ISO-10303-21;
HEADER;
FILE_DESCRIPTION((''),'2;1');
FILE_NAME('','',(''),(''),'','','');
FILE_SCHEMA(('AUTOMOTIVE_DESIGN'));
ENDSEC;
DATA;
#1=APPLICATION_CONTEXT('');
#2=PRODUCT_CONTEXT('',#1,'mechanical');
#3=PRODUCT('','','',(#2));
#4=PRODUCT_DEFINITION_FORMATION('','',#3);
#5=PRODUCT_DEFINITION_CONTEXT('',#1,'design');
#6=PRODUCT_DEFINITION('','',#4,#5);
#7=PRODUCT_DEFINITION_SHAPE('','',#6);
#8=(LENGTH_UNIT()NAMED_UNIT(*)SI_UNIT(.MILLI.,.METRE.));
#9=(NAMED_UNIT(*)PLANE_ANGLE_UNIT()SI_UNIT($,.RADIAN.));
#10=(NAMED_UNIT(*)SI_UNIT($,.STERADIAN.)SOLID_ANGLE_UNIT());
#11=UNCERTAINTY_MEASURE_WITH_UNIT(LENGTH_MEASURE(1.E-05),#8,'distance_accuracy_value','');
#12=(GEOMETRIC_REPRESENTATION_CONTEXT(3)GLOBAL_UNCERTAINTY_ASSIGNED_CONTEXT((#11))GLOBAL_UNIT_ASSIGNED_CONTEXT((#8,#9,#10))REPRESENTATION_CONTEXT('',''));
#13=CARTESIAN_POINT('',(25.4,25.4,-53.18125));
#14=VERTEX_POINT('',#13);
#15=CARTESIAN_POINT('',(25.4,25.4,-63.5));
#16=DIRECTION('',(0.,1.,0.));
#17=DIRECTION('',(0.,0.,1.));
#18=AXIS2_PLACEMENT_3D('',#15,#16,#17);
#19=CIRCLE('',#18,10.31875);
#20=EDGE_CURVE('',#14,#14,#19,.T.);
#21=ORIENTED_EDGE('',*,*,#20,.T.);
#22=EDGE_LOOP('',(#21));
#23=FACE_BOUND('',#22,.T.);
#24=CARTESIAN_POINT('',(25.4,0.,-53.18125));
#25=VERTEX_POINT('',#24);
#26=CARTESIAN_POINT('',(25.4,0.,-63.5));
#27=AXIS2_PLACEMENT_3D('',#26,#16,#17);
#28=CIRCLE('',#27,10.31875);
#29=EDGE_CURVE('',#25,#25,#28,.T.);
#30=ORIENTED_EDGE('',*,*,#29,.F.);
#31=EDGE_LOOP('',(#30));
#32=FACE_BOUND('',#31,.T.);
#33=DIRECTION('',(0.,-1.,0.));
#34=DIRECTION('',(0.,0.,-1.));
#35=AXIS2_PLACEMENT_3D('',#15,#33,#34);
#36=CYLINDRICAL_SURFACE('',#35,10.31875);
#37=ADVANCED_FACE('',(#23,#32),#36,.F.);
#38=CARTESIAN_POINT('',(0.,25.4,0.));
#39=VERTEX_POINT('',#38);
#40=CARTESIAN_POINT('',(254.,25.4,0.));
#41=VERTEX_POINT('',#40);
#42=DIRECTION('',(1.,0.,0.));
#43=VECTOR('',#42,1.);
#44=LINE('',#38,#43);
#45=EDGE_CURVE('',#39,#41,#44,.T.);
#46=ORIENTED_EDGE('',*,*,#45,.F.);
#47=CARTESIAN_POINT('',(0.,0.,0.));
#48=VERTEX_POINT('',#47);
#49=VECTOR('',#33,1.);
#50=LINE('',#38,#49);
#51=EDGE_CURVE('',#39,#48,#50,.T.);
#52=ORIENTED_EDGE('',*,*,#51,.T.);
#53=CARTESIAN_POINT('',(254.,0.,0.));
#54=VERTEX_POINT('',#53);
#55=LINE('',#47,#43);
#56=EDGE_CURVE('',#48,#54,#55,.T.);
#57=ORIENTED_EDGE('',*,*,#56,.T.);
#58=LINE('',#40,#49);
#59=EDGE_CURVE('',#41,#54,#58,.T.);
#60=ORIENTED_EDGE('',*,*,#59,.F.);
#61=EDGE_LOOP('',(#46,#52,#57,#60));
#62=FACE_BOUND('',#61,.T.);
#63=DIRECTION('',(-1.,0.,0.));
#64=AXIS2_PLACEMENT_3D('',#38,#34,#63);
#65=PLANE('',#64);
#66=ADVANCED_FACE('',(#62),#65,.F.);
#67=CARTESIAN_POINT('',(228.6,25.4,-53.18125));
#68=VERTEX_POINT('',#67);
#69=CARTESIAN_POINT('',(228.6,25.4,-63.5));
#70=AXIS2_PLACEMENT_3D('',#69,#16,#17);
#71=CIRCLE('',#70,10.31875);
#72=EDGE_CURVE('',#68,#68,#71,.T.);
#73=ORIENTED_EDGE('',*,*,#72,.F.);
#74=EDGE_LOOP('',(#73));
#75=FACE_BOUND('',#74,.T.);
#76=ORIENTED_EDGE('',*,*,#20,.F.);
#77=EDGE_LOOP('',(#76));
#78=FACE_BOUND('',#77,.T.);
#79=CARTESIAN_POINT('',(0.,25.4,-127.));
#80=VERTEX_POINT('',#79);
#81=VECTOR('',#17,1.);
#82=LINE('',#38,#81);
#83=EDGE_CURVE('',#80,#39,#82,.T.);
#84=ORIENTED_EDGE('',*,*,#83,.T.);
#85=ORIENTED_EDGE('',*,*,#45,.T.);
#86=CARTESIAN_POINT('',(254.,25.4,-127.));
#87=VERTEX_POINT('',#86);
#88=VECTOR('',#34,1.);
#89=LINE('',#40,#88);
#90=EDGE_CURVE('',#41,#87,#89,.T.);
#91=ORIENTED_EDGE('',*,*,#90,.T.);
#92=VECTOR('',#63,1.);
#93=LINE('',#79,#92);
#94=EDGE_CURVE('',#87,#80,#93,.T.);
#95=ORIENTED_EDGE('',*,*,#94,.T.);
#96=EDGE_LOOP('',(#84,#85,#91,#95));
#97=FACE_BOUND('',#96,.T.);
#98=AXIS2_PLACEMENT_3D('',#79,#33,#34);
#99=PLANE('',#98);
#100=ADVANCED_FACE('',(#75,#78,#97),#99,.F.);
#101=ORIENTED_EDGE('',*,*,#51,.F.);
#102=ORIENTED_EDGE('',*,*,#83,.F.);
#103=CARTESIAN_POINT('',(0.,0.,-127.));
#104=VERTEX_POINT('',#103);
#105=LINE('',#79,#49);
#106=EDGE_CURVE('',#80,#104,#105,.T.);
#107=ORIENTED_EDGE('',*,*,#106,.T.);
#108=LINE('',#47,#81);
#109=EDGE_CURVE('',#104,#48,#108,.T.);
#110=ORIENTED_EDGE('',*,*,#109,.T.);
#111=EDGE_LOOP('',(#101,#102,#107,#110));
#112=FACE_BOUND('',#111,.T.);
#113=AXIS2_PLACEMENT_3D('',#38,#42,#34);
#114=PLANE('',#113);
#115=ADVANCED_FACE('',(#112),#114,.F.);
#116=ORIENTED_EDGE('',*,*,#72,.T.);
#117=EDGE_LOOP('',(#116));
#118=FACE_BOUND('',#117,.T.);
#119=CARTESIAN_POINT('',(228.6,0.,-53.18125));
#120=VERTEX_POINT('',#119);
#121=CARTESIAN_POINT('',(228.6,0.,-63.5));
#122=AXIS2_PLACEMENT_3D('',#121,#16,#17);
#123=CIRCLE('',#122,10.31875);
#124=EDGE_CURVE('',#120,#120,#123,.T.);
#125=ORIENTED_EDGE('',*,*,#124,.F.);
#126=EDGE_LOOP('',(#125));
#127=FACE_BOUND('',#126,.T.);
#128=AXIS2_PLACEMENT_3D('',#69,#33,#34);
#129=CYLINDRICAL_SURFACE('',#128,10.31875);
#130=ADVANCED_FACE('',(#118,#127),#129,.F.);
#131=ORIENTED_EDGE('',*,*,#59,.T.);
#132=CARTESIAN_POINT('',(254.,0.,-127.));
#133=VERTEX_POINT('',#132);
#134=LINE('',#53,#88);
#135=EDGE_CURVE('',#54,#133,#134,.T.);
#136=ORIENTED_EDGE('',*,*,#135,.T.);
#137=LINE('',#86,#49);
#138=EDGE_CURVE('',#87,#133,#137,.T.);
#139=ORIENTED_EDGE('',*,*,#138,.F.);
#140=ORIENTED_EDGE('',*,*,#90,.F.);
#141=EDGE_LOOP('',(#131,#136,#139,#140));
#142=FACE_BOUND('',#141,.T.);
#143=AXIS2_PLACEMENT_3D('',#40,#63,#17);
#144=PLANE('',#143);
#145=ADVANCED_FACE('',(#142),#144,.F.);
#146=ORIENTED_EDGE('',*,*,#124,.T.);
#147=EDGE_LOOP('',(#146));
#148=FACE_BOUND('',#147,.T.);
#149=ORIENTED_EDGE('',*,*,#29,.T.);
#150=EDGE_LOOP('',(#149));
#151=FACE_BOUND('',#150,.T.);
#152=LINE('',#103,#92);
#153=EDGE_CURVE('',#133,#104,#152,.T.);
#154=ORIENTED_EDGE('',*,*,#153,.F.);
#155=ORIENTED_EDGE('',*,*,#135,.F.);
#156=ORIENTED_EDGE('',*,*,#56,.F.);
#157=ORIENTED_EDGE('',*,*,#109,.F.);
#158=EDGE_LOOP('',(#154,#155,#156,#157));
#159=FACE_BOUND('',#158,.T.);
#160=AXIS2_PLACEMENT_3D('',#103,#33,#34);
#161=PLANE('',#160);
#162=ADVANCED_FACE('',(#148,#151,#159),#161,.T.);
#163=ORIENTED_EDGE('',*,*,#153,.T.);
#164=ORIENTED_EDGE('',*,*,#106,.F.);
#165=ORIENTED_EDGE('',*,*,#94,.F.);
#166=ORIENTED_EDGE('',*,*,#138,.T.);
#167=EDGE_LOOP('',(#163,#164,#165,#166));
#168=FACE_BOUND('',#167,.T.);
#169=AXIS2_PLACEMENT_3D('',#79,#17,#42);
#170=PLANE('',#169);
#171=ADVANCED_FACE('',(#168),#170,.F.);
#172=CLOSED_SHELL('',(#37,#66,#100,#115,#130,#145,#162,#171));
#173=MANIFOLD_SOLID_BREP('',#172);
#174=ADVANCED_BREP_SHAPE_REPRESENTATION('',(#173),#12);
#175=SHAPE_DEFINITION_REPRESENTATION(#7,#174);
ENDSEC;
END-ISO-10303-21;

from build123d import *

# Parameters (mm, degrees)
SKETCH1_W           = 254
SKETCH1_H           = 127
SKETCH1_R           = 10.31875
BOSS_EXTRUDE1_DEPTH = 25.4


with BuildPart() as part:
    # Sketch1 → Boss-Extrude1 (new body)
    with BuildSketch(Plane(origin=(0, 0, 0), x_dir=(1, 0, 0), z_dir=(0, 1, 0))):
        with Locations((127, 63.5)):
            Rectangle(SKETCH1_W, SKETCH1_H)
        with Locations((25.4, 63.5)):
            Circle(SKETCH1_R, mode=Mode.SUBTRACT)
        with Locations((228.6, 63.5)):
            Circle(SKETCH1_R, mode=Mode.SUBTRACT)
    extrude(amount=BOSS_EXTRUDE1_DEPTH)


solid = part.part
